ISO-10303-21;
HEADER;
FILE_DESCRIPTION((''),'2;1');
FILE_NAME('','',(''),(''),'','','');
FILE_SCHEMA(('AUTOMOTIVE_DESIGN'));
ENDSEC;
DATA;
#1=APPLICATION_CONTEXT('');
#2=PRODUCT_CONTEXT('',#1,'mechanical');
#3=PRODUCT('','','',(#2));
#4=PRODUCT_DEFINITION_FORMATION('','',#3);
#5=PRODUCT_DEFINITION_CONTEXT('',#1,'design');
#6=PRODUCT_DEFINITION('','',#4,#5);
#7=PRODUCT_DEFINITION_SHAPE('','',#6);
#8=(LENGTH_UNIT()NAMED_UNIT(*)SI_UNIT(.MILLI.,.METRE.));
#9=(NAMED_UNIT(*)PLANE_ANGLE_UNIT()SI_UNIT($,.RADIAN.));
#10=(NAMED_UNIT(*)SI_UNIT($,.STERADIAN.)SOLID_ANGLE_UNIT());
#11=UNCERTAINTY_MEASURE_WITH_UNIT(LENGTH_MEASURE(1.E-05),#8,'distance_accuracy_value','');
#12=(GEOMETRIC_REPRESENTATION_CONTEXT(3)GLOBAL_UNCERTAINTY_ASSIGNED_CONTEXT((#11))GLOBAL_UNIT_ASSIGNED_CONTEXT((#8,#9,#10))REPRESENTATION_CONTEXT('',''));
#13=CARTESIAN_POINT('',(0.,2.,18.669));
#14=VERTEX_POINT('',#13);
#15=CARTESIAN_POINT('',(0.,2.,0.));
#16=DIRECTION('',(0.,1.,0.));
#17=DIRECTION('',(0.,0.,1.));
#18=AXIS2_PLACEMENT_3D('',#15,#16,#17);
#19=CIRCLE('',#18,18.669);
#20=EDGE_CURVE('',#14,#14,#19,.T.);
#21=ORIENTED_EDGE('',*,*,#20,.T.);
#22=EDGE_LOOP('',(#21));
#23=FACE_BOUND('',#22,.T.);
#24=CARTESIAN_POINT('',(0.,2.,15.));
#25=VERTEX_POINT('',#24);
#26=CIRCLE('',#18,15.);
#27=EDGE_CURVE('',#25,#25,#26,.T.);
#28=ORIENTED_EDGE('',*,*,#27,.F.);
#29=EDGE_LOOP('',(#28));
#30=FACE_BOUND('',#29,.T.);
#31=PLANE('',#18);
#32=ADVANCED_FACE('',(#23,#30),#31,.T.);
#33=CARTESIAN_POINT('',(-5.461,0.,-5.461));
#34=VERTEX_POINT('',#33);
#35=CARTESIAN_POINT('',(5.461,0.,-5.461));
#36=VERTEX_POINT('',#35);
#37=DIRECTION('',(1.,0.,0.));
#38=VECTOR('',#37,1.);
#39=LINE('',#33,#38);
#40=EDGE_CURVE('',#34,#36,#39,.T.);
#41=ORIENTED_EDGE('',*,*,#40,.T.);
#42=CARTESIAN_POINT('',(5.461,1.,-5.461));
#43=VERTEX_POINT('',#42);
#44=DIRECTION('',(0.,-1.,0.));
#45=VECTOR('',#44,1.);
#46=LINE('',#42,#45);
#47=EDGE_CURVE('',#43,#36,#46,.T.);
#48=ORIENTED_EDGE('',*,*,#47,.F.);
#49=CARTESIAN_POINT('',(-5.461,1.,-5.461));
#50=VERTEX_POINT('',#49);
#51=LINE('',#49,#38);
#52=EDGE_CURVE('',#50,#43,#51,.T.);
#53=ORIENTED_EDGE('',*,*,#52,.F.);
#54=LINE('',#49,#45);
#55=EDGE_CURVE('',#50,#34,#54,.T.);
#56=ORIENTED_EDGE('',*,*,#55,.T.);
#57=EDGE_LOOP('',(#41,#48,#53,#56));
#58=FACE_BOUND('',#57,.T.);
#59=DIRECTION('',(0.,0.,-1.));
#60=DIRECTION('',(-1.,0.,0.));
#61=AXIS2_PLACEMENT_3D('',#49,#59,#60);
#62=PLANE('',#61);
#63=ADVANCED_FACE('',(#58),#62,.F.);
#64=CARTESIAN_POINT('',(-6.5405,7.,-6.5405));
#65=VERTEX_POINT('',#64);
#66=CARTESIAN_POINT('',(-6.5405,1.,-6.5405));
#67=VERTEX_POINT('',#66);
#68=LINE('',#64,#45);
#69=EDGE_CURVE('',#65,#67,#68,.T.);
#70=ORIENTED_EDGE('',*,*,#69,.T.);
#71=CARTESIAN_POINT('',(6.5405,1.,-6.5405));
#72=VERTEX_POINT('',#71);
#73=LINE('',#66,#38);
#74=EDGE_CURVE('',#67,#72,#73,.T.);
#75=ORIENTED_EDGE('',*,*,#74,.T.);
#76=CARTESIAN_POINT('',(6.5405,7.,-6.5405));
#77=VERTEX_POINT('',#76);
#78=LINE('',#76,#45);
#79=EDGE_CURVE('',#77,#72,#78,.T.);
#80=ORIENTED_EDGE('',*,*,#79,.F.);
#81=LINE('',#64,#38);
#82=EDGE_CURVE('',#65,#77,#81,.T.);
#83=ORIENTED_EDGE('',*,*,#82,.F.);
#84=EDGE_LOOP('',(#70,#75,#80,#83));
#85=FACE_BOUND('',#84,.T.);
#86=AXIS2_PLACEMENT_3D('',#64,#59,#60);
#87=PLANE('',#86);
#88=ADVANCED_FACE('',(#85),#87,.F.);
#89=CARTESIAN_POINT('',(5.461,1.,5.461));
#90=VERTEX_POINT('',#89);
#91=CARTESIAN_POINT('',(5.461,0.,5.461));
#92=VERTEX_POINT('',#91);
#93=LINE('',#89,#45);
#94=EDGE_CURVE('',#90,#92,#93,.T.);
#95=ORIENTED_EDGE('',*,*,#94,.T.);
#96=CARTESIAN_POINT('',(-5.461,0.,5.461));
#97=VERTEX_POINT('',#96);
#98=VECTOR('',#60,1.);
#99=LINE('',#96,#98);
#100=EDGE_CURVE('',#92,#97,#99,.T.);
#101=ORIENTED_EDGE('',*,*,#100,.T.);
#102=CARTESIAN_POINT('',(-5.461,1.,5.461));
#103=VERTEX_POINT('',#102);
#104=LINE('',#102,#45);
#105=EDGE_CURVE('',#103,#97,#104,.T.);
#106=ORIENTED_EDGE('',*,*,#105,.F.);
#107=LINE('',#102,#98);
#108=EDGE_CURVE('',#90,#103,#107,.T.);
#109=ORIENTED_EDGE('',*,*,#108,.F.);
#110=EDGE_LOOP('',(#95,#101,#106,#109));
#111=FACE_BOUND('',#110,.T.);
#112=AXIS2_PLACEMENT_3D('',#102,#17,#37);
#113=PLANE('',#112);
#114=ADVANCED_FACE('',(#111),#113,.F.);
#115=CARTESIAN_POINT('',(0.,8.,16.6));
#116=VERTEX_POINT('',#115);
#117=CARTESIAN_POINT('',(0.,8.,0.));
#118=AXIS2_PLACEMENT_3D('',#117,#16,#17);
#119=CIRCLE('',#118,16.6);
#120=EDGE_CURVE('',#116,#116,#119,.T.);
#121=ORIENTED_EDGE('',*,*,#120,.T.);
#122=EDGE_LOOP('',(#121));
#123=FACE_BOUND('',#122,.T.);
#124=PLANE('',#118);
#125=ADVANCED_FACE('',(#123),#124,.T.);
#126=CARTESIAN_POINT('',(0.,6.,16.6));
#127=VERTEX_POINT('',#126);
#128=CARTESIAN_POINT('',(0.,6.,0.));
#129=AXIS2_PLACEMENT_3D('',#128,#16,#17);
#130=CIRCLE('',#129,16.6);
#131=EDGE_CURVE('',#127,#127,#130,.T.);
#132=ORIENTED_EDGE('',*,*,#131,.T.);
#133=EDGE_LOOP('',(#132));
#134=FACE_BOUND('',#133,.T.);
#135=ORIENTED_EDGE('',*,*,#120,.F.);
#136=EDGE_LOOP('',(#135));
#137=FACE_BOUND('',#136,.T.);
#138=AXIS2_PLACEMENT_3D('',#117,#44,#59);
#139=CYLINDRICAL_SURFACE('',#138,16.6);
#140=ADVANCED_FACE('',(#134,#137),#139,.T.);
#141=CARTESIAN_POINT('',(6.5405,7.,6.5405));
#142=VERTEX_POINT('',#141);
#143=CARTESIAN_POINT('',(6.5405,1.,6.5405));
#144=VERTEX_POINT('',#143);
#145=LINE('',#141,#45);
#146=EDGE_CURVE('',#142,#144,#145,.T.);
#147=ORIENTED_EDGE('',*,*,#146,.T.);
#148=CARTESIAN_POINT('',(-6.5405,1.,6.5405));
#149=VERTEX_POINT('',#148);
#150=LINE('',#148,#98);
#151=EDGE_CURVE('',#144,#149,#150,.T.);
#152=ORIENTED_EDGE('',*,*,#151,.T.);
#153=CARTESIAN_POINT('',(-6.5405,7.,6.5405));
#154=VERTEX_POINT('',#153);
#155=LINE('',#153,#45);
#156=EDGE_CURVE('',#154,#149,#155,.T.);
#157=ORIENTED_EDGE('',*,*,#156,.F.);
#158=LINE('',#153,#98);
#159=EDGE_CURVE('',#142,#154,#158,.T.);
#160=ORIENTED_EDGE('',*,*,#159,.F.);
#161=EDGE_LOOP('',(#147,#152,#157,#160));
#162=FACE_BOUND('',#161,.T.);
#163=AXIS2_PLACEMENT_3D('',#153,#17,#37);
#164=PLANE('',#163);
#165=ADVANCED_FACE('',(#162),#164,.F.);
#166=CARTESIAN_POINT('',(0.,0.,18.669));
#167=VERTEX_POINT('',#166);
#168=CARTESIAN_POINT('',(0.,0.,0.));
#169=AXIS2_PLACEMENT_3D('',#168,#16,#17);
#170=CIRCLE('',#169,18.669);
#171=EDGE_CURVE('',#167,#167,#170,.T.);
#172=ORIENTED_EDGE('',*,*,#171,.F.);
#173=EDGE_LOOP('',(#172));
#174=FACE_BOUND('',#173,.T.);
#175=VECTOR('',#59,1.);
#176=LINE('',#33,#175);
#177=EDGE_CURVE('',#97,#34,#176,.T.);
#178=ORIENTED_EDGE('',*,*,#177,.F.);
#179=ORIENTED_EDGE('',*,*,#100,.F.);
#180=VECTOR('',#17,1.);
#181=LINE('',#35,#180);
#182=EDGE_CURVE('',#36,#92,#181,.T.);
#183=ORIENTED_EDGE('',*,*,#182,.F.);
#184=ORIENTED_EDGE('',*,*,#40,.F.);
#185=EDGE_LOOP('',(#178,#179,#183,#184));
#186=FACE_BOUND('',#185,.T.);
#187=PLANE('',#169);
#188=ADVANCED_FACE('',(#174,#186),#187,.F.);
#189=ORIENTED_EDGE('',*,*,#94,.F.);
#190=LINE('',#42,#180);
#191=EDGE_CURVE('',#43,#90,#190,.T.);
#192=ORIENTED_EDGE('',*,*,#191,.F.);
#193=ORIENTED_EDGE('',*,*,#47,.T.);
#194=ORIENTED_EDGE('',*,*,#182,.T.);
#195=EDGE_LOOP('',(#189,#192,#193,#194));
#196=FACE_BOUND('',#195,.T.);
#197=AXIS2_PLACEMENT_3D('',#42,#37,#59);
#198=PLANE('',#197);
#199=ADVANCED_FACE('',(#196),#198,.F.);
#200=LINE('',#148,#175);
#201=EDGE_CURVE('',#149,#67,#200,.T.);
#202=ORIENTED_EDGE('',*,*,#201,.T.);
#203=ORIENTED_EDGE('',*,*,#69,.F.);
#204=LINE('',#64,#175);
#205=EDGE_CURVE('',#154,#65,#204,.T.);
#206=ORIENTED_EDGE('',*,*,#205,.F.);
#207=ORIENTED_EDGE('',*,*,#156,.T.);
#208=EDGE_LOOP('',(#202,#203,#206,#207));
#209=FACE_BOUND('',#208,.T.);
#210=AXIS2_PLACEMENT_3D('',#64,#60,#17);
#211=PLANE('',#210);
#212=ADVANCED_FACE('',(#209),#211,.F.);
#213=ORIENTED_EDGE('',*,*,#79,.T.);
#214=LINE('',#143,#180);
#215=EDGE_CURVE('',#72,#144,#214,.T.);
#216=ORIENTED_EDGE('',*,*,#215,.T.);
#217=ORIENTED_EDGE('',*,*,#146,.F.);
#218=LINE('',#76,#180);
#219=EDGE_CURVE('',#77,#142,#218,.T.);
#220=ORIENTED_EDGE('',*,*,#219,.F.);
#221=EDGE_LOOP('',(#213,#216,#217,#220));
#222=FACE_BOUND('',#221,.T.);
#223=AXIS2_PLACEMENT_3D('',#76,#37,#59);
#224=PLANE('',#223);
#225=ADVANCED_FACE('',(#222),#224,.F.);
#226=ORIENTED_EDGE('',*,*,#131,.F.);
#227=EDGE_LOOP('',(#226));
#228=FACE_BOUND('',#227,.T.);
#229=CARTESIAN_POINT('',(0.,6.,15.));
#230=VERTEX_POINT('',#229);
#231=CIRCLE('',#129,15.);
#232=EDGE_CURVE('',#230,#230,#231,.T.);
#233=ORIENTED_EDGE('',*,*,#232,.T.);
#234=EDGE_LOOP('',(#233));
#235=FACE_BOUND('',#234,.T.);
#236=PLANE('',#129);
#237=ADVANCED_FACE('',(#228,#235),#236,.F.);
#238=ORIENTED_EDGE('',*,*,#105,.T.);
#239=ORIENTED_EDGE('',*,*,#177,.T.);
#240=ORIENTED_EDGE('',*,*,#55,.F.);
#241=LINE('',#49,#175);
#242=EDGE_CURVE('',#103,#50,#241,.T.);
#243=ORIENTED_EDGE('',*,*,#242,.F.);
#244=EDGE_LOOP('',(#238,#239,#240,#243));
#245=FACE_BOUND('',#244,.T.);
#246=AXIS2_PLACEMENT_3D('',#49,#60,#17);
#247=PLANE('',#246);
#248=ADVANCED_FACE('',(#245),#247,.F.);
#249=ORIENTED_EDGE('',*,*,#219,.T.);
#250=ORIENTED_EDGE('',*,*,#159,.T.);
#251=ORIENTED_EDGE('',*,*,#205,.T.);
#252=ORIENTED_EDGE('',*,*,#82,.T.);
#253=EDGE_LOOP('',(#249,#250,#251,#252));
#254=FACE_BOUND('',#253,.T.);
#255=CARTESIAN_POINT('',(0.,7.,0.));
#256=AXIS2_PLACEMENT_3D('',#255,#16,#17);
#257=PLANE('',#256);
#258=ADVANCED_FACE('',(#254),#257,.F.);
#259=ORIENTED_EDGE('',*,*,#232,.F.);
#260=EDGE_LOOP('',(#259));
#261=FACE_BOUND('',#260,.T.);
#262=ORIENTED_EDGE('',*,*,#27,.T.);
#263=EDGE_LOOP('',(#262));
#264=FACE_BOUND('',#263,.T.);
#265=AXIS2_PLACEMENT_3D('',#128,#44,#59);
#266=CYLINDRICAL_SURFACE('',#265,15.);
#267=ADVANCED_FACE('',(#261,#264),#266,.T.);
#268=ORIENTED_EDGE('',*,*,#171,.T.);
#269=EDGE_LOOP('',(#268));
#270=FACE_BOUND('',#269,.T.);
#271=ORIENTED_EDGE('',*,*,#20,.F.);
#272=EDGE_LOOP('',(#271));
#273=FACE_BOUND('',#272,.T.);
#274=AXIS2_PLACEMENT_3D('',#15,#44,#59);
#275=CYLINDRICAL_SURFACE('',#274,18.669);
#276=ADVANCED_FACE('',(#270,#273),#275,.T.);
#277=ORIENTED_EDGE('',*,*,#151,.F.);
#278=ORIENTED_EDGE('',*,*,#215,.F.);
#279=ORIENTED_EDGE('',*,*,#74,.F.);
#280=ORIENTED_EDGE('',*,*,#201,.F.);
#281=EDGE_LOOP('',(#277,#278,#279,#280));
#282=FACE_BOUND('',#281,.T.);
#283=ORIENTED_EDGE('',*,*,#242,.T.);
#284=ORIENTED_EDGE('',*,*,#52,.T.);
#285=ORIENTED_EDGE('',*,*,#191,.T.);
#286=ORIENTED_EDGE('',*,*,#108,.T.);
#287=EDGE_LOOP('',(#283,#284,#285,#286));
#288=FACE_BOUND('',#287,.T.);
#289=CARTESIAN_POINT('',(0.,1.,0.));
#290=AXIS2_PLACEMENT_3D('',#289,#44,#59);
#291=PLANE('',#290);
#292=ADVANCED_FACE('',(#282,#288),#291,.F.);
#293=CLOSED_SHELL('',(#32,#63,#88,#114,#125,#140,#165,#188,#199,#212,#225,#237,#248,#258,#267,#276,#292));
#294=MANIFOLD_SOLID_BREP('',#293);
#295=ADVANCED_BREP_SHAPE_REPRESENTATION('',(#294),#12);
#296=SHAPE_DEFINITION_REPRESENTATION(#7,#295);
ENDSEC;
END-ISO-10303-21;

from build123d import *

# Parameters (mm, degrees)
SKETCH1_R           = 18.669
BOSS_EXTRUDE1_DEPTH = 2
SKETCH2_R           = 15
BOSS_EXTRUDE2_DEPTH = 4
SKETCH3_R           = 16.6
BOSS_EXTRUDE3_DEPTH = 2
SKETCH4_W           = 13.081
SKETCH4_H           = 13.081
CUT_EXTRUDE1_DEPTH  = 7
SKETCH5_W           = 13.081
SKETCH5_H           = 13.081
SKETCH5_W_2         = 10.922
SKETCH5_H_2         = 10.922
BOSS_EXTRUDE4_DEPTH = 1


with BuildPart() as part:
    # Sketch1 → Boss-Extrude1 (new body)
    with BuildSketch(Plane(origin=(0, 0, 0), x_dir=(1, 0, 0), z_dir=(0, 1, 0))):
        Circle(SKETCH1_R)
    extrude(amount=BOSS_EXTRUDE1_DEPTH)

    # Sketch2 → Boss-Extrude2 (add)
    with BuildSketch(Plane(origin=(0, 2, 0), x_dir=(1, 0, 0), z_dir=(0, 1, 0))):
        Circle(SKETCH2_R)
    extrude(amount=BOSS_EXTRUDE2_DEPTH)

    # Sketch3 → Boss-Extrude3 (add)
    with BuildSketch(Plane(origin=(0, 6, 0), x_dir=(1, 0, 0), z_dir=(0, 1, 0))):
        Circle(SKETCH3_R)
    extrude(amount=BOSS_EXTRUDE3_DEPTH)

    # Sketch4 → Cut-Extrude1 (cut)
    with BuildSketch(Plane(origin=(0, 0, 0), x_dir=(-1, 0, 0), z_dir=(0, -1, 0))):
        Rectangle(SKETCH4_W, SKETCH4_H)
    extrude(amount=-CUT_EXTRUDE1_DEPTH, mode=Mode.SUBTRACT)

    # Sketch5 → Boss-Extrude4 (add)
    with BuildSketch(Plane.XZ):
        Rectangle(SKETCH5_W, SKETCH5_H)
        Rectangle(SKETCH5_W_2, SKETCH5_H_2, mode=Mode.SUBTRACT)
    extrude(amount=-BOSS_EXTRUDE4_DEPTH)


solid = part.part
